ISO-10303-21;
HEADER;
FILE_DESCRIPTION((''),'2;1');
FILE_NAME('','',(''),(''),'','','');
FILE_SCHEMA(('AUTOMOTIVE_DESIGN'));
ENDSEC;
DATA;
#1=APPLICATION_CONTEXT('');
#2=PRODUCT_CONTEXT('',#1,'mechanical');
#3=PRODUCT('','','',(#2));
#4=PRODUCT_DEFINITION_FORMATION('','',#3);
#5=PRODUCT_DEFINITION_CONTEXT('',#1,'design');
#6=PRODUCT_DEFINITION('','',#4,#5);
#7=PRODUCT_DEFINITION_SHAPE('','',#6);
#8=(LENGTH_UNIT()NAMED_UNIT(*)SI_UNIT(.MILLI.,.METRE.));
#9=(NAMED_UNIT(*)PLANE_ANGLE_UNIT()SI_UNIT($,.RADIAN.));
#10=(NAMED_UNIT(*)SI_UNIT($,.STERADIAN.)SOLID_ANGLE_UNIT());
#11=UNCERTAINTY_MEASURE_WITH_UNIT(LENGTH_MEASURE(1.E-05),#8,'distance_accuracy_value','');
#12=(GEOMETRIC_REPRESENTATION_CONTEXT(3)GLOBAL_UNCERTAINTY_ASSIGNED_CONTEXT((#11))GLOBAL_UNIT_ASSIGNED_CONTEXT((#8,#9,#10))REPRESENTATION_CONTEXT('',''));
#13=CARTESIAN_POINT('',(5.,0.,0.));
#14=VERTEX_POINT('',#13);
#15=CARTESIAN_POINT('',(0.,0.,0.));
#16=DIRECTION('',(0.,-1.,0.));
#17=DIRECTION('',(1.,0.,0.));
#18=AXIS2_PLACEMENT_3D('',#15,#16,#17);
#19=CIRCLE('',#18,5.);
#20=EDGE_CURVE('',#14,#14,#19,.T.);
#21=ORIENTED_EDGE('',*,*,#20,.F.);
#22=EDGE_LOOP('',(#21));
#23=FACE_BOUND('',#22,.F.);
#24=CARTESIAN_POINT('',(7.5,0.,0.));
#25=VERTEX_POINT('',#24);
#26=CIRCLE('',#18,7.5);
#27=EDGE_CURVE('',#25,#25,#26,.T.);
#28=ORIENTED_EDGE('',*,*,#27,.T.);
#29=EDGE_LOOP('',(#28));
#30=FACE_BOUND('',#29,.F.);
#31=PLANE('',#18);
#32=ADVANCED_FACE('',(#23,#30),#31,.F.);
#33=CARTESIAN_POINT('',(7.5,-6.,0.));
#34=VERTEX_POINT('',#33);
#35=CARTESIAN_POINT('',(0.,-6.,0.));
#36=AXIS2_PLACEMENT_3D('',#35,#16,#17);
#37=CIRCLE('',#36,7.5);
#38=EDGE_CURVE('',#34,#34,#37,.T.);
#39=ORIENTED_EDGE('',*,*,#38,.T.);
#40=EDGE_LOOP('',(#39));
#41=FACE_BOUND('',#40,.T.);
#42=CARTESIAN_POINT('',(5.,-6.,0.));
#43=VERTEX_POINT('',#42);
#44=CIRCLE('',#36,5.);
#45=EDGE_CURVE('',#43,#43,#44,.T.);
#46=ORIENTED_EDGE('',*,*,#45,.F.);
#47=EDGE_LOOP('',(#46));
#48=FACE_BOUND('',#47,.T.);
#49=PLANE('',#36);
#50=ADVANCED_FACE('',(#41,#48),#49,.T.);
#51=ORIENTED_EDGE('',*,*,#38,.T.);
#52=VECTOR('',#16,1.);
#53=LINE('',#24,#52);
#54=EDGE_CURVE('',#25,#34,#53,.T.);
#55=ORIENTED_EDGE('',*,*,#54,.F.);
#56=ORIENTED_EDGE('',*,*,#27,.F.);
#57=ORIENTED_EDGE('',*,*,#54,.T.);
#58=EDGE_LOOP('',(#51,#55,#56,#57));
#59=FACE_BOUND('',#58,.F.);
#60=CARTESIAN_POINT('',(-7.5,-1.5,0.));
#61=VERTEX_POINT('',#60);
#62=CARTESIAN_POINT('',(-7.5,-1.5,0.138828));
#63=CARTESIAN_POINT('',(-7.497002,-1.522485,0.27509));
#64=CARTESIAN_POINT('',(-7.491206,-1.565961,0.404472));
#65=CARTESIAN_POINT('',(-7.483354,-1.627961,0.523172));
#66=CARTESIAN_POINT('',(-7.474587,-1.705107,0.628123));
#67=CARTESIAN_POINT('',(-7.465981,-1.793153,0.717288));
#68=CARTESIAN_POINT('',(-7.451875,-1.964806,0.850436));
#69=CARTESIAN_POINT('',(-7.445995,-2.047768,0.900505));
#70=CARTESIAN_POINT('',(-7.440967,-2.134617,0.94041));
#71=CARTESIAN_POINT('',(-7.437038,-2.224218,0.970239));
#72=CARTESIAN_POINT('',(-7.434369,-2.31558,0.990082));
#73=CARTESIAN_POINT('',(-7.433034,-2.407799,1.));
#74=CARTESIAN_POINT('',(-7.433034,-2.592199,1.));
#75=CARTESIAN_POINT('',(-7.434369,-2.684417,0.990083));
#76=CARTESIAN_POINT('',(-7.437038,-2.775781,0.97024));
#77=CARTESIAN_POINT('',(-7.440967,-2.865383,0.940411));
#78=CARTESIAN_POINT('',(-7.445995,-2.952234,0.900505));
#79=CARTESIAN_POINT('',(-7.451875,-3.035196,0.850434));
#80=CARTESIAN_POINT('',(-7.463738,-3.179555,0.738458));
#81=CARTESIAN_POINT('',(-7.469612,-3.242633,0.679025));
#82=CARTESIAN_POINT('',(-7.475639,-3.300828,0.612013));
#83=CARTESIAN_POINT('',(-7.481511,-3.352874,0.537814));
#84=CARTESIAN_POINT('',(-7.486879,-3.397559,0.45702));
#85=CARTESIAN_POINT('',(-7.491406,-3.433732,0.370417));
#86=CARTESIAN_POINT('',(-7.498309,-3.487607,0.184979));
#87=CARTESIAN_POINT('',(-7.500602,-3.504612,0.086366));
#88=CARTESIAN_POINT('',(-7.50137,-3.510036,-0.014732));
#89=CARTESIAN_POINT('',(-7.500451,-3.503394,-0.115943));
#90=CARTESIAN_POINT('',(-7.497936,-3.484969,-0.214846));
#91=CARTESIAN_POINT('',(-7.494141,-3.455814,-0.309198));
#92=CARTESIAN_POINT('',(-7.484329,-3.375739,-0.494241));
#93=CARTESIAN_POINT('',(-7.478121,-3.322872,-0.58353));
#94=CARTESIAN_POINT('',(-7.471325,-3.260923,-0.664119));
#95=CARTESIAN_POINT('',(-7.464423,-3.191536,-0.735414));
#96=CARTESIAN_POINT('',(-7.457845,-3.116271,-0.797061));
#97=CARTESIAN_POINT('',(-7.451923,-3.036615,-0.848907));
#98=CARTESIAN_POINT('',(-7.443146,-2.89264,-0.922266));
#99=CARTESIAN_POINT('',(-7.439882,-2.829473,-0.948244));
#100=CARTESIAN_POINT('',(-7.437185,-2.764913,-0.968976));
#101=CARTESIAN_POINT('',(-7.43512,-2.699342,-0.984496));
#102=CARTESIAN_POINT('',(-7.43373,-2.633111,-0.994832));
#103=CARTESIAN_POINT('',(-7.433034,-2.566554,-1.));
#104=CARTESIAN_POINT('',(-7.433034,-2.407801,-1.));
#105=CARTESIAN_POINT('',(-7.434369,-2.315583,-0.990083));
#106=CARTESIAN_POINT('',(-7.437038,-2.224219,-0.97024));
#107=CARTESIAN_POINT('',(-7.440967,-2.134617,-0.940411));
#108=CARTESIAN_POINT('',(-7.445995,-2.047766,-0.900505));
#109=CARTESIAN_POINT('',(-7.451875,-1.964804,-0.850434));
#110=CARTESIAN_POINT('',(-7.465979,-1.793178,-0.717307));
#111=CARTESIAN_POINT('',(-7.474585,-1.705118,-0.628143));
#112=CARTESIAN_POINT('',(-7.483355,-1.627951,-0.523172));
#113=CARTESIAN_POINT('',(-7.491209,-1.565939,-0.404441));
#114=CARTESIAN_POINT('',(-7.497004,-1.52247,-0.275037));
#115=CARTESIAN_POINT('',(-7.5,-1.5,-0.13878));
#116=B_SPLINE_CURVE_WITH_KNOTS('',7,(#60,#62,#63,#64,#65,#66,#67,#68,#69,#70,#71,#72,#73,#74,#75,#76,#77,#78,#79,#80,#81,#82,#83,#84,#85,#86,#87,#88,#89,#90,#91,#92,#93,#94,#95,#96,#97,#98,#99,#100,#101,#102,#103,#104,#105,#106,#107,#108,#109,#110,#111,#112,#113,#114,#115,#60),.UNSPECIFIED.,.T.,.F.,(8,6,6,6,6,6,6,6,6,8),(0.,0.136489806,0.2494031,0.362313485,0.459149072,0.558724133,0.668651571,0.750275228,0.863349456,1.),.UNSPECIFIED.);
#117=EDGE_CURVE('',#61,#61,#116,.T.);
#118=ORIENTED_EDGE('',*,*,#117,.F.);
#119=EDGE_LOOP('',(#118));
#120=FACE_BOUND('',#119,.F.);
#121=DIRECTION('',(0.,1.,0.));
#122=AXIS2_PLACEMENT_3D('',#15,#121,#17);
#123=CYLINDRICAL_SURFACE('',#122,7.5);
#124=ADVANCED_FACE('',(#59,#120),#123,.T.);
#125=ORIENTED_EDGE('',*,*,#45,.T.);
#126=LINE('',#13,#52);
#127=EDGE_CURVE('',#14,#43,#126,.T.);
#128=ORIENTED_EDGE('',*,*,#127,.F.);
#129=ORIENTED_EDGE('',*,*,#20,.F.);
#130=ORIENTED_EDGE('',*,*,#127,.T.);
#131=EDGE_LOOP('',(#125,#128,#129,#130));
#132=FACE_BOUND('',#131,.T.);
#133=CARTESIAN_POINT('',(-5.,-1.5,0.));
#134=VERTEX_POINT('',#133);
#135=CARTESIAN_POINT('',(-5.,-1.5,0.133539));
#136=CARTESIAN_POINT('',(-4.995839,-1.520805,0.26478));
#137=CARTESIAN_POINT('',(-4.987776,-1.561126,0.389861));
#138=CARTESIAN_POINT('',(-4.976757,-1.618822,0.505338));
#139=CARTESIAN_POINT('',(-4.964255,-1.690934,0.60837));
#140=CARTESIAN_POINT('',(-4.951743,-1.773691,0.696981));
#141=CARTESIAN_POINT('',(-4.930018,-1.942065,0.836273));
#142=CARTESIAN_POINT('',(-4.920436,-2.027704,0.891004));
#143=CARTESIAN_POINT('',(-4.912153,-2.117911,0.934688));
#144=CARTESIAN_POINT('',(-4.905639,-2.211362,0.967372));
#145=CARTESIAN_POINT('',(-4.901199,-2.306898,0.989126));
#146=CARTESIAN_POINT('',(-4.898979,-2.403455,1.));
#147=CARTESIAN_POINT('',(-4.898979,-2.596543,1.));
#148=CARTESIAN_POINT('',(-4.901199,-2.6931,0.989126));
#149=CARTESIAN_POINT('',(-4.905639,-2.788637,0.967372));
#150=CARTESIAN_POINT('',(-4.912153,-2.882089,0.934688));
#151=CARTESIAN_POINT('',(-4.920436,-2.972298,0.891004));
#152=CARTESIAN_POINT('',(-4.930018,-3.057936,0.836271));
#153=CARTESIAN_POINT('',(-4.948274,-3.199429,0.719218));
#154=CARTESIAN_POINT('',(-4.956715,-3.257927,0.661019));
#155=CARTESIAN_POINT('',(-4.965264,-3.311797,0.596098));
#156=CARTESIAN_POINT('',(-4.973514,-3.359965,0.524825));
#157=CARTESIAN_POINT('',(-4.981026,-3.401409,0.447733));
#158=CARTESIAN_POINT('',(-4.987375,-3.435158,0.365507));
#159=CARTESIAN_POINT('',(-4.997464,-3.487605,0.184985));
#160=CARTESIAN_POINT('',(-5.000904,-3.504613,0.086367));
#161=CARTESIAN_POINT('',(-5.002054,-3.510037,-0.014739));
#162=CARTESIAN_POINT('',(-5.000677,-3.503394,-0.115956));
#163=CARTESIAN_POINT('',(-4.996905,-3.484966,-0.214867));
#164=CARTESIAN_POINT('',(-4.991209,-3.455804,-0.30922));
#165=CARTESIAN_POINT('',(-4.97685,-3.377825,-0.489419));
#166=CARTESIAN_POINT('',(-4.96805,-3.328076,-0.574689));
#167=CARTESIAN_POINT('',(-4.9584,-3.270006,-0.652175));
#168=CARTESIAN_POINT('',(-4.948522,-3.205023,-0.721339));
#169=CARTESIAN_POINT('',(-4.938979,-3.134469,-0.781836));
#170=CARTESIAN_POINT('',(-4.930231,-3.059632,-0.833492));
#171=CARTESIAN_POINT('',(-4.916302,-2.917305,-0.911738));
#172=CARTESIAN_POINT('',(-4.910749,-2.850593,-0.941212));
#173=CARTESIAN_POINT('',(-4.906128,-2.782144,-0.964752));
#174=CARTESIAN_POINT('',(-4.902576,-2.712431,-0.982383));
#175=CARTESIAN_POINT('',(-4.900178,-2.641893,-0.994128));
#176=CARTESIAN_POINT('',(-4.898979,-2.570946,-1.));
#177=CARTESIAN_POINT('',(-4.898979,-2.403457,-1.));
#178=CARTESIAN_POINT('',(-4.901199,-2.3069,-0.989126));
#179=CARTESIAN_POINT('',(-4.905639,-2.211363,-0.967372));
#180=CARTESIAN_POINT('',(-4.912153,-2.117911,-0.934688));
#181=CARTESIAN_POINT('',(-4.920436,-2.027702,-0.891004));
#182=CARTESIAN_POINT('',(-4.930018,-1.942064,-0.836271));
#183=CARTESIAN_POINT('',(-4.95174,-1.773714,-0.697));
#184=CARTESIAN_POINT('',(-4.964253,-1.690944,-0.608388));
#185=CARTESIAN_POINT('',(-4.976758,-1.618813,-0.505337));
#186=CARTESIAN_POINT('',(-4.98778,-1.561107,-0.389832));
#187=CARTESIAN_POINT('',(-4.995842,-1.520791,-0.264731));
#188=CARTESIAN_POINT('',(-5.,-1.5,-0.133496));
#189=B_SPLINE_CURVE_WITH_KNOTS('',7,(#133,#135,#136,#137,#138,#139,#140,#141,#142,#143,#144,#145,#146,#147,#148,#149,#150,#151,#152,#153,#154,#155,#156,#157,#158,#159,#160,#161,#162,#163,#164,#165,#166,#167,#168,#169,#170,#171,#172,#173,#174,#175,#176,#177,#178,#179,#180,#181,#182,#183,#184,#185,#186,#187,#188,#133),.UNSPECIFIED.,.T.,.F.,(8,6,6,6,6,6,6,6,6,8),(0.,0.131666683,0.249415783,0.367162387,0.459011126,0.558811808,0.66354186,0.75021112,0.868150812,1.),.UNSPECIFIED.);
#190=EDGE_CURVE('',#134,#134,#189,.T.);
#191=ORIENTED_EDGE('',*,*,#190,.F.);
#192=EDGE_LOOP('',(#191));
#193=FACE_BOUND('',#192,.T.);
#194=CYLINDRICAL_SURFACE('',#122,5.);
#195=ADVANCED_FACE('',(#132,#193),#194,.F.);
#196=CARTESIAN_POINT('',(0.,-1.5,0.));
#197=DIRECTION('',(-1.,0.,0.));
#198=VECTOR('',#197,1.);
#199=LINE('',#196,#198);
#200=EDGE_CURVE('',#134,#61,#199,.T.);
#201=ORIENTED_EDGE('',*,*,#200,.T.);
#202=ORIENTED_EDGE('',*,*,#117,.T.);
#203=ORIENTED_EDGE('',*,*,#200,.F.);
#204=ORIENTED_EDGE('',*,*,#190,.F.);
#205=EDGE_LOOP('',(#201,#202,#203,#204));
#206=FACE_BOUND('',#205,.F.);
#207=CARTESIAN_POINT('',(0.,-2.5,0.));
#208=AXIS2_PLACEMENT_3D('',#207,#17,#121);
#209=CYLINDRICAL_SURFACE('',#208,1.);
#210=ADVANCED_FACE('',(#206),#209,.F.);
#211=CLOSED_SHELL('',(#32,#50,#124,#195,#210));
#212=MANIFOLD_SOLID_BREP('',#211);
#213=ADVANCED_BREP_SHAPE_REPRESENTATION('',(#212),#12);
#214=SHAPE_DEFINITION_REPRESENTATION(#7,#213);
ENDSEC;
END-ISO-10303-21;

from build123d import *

# Parameters (mm, degrees)
F0_R     = 7.5
F0_R_2   = 5
F1_DEPTH = 6
F2_R     = 1
F3_DEPTH = 25


with BuildPart() as f1:
    # F0 (on Front) → F1 (new body)
    with BuildSketch(Plane.XZ):
        Circle(F0_R)
        Circle(F0_R_2, mode=Mode.SUBTRACT)
    extrude(amount=F1_DEPTH)

    # F2 (on Right) → F3 (cut)
    with BuildSketch(Plane.YZ):
        with Locations((-2.5, 0)):
            Circle(F2_R)
    extrude(amount=-F3_DEPTH, mode=Mode.SUBTRACT)


solid = f1.part
